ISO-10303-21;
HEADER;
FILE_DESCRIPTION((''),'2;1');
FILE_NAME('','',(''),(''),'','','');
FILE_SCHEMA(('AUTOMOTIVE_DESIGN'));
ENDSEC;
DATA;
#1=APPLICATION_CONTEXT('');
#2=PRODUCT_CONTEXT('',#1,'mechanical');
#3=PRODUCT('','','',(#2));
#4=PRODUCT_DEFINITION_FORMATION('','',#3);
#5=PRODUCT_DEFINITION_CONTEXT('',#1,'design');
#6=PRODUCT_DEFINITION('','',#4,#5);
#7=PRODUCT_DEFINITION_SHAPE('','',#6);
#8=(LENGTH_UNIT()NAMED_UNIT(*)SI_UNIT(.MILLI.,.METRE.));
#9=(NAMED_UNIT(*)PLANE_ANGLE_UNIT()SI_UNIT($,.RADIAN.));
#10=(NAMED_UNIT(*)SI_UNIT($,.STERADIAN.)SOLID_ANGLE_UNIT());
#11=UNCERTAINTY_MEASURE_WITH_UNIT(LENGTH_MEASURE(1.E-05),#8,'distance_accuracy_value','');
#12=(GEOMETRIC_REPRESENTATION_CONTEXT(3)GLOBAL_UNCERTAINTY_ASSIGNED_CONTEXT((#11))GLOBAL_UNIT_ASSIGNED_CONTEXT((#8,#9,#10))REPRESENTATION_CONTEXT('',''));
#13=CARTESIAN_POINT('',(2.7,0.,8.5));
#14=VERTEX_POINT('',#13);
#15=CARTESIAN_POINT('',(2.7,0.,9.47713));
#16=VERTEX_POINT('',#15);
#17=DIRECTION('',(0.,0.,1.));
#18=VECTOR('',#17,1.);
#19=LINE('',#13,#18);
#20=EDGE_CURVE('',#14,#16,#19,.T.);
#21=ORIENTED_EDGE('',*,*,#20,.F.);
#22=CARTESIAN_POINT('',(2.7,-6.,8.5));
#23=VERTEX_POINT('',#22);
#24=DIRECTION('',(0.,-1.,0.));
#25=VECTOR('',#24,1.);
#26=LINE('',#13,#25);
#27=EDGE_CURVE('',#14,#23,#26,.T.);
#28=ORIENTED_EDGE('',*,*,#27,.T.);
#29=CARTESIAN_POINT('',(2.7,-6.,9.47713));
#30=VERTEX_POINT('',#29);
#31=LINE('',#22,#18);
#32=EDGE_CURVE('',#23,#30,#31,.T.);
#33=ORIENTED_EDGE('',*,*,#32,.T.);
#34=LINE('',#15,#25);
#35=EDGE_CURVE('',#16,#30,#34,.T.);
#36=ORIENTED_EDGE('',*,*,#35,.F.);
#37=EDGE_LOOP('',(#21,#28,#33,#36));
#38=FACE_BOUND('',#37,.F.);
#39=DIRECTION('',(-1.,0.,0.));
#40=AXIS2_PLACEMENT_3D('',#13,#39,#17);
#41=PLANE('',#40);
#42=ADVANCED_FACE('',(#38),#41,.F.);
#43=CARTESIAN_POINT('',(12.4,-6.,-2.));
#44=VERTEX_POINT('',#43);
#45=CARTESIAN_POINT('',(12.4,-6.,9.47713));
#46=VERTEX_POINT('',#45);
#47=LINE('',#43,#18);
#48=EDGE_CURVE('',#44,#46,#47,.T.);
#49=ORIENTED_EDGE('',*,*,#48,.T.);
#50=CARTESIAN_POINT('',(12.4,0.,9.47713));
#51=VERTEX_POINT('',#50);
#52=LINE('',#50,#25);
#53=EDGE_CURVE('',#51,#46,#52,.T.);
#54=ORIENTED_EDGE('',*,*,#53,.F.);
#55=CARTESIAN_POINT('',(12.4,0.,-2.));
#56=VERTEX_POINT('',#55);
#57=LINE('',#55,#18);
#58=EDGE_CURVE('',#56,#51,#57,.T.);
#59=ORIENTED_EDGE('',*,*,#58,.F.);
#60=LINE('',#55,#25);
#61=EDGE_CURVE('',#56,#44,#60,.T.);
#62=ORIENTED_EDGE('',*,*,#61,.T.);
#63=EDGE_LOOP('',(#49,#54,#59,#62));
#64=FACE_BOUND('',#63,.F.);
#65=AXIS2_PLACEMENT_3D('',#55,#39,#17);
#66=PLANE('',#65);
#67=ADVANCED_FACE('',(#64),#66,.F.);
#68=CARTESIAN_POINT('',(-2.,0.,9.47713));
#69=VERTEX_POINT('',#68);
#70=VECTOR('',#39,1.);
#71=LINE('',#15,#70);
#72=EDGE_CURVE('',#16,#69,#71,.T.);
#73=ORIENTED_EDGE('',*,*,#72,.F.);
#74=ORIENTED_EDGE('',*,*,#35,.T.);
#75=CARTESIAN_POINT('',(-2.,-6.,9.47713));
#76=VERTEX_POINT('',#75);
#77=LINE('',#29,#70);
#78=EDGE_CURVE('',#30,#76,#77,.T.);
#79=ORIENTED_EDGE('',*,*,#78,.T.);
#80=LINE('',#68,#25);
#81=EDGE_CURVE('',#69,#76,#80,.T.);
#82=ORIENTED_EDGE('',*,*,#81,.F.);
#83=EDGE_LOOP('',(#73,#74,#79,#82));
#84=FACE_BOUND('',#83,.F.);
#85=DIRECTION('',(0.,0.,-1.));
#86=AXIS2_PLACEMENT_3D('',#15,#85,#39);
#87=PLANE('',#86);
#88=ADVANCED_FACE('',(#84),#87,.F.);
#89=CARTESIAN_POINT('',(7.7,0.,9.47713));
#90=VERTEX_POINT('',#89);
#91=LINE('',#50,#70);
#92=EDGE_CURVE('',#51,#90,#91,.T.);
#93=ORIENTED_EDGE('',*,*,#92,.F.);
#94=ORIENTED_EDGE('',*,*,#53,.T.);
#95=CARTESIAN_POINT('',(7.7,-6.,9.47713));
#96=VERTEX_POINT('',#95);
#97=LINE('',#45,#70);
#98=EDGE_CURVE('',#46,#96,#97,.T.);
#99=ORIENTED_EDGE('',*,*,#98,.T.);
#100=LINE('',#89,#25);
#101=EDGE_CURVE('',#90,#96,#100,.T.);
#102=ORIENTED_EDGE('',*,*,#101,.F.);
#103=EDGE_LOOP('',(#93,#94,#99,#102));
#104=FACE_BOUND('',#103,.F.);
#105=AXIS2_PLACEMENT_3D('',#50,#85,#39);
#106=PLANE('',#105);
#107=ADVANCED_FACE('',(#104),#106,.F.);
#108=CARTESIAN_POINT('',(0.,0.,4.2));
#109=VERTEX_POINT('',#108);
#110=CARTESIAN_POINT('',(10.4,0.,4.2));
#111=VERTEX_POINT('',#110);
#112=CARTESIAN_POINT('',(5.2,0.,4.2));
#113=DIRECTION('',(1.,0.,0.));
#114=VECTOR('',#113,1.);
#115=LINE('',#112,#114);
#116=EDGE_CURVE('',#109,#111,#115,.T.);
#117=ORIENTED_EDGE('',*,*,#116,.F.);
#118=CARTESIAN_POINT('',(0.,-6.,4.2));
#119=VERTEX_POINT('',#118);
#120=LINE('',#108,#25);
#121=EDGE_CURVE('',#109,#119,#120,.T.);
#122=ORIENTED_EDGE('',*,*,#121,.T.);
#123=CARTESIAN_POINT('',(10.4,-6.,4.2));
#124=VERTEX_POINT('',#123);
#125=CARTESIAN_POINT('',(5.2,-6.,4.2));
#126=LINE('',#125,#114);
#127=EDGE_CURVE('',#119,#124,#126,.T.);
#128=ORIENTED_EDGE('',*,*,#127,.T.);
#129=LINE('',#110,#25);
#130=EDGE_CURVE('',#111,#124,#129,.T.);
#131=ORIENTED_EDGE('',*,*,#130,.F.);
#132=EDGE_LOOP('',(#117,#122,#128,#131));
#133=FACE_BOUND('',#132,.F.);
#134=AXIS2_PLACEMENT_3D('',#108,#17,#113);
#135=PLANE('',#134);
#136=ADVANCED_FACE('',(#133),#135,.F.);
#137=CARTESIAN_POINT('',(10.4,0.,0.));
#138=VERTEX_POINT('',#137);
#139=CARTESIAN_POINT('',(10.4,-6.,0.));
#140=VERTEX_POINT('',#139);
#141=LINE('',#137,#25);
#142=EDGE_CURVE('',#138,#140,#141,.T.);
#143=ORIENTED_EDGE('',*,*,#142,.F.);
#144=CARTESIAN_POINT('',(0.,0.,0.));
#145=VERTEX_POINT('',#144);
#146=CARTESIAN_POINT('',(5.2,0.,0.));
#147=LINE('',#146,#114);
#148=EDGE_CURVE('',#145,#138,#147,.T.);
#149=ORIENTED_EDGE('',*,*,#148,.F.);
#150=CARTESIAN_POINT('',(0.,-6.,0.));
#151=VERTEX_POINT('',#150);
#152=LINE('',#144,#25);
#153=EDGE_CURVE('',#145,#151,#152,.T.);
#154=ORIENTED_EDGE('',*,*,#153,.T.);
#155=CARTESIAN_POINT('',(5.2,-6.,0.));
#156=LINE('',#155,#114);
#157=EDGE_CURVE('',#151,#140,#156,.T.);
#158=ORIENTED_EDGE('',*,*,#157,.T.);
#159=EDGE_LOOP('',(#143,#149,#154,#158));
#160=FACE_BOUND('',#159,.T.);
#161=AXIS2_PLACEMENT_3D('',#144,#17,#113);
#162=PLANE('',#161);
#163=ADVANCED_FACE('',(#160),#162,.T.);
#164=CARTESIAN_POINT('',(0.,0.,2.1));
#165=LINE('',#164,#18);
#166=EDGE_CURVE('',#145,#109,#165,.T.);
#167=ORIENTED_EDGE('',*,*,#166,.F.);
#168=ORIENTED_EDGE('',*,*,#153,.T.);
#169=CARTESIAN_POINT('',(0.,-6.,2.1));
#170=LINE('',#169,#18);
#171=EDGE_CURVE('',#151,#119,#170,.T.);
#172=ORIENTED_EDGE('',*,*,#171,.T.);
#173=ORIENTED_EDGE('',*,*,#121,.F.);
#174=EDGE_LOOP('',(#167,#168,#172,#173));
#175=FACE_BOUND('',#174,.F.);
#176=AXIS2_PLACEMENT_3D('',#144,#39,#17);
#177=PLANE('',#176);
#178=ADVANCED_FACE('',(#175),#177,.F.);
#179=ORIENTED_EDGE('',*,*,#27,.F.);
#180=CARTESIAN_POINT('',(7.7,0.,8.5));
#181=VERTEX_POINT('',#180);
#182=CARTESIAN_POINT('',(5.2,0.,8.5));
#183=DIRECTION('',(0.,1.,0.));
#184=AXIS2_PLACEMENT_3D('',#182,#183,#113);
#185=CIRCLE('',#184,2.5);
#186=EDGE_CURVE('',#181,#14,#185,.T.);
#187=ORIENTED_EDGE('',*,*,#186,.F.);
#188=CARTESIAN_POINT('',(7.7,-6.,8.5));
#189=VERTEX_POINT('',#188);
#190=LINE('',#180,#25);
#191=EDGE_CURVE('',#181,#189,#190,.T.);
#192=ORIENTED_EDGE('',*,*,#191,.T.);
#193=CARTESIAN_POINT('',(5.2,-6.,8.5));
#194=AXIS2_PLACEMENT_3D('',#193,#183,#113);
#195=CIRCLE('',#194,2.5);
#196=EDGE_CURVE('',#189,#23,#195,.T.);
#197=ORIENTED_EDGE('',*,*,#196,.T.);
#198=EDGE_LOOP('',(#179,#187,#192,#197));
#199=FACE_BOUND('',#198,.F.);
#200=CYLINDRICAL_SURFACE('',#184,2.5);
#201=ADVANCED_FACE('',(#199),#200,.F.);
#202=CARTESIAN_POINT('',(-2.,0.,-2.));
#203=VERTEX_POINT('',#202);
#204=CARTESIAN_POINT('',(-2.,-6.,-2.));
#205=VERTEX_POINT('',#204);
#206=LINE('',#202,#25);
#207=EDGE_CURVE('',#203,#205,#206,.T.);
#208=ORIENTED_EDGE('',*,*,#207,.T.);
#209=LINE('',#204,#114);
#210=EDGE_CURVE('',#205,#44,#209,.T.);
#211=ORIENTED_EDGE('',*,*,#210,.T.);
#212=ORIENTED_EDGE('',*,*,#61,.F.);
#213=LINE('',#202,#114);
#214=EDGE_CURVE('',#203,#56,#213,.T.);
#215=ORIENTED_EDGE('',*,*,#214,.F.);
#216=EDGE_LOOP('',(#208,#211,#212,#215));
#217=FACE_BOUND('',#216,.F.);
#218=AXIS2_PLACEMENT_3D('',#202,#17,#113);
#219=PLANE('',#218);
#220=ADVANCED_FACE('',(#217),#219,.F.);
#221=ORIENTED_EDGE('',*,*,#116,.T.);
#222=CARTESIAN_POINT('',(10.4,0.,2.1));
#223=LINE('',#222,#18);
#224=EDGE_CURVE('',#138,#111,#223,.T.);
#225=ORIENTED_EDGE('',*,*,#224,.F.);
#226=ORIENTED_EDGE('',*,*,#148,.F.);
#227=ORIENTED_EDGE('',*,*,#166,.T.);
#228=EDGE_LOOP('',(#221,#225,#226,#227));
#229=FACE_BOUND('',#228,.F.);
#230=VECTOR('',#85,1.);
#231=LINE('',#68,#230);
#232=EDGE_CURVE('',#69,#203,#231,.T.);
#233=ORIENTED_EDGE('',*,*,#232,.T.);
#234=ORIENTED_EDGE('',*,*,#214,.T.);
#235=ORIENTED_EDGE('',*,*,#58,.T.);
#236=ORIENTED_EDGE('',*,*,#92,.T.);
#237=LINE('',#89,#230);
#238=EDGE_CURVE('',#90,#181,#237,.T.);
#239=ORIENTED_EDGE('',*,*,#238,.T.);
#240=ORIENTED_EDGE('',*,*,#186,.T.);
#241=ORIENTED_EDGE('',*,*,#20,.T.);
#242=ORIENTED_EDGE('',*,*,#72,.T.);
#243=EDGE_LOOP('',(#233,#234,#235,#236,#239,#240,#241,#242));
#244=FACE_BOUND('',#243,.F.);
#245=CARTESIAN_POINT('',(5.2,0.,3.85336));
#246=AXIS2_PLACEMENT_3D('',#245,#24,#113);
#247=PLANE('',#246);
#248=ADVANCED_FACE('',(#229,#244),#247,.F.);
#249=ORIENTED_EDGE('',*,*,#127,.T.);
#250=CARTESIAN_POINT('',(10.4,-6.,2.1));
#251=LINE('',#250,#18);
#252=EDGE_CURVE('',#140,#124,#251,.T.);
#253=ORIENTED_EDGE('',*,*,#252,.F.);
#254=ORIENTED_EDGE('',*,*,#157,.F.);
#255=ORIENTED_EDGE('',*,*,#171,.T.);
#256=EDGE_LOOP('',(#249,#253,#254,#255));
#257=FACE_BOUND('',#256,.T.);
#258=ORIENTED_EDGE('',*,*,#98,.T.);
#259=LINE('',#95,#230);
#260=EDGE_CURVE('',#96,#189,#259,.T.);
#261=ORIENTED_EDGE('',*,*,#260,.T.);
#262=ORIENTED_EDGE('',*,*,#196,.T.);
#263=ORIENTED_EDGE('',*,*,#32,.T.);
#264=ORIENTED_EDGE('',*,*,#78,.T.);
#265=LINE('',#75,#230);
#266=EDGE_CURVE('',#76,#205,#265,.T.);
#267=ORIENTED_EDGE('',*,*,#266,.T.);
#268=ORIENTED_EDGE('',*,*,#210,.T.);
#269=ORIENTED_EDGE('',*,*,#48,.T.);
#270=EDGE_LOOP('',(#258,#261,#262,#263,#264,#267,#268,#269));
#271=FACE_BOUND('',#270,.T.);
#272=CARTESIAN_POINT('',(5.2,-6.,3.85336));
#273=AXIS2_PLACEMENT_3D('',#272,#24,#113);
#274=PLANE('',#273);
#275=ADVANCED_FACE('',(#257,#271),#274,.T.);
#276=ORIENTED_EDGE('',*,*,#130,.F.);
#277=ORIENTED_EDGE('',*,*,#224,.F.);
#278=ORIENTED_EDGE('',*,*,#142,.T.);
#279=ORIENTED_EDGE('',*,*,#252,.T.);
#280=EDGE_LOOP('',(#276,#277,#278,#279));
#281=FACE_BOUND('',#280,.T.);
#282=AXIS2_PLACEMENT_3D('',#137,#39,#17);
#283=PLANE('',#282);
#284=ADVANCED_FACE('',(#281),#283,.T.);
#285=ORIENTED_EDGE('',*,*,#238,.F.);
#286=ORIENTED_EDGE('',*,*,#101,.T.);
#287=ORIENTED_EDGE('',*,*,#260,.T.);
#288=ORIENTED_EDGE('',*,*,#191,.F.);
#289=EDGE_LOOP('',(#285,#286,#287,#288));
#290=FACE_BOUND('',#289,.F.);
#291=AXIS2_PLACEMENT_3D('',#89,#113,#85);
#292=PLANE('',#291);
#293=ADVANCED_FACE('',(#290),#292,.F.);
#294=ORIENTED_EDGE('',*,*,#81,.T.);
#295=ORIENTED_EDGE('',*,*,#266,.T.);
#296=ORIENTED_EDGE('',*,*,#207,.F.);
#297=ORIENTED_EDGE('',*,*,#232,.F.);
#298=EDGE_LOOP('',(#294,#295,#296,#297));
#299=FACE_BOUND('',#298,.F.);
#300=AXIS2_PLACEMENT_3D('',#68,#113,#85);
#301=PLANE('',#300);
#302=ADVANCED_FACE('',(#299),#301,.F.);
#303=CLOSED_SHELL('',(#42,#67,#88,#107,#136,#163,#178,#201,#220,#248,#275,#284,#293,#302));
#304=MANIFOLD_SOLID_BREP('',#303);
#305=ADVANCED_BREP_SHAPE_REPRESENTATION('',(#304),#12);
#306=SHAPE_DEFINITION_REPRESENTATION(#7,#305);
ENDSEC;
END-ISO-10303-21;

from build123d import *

# Parameters (mm, degrees)
F0_W     = 10.4
F0_H     = 4.2
F1_DEPTH = 6


with BuildPart() as f1:
    # F0 (on Front) → F1 (new body)
    with BuildSketch(Plane.XZ):
        with BuildLine():
            Line((-2, 6), (-2, -2))
            Line((-2, -2), (12.4, -2))
            Line((12.4, -2), (12.4, 6))
            Line((12.4, 6), (12.4, 8.5))
            Line((12.4, 8.5), (12.4, 9.47713))
            Line((12.4, 9.47713), (7.7, 9.47713))
            Line((7.7, 9.47713), (7.7, 8.5))
            ThreePointArc((7.7, 8.5), (5.2, 6), (2.7, 8.5))
            Line((2.7, 8.5), (2.7, 9.47713))
            Line((2.7, 9.47713), (-2, 9.47713))
            Line((-2, 9.47713), (-2, 8.5))
            Line((-2, 8.5), (-2, 6))
        make_face()
        with Locations((5.2, 2.1)):
            Rectangle(F0_W, F0_H, mode=Mode.SUBTRACT)
    extrude(amount=F1_DEPTH)


solid = f1.part
